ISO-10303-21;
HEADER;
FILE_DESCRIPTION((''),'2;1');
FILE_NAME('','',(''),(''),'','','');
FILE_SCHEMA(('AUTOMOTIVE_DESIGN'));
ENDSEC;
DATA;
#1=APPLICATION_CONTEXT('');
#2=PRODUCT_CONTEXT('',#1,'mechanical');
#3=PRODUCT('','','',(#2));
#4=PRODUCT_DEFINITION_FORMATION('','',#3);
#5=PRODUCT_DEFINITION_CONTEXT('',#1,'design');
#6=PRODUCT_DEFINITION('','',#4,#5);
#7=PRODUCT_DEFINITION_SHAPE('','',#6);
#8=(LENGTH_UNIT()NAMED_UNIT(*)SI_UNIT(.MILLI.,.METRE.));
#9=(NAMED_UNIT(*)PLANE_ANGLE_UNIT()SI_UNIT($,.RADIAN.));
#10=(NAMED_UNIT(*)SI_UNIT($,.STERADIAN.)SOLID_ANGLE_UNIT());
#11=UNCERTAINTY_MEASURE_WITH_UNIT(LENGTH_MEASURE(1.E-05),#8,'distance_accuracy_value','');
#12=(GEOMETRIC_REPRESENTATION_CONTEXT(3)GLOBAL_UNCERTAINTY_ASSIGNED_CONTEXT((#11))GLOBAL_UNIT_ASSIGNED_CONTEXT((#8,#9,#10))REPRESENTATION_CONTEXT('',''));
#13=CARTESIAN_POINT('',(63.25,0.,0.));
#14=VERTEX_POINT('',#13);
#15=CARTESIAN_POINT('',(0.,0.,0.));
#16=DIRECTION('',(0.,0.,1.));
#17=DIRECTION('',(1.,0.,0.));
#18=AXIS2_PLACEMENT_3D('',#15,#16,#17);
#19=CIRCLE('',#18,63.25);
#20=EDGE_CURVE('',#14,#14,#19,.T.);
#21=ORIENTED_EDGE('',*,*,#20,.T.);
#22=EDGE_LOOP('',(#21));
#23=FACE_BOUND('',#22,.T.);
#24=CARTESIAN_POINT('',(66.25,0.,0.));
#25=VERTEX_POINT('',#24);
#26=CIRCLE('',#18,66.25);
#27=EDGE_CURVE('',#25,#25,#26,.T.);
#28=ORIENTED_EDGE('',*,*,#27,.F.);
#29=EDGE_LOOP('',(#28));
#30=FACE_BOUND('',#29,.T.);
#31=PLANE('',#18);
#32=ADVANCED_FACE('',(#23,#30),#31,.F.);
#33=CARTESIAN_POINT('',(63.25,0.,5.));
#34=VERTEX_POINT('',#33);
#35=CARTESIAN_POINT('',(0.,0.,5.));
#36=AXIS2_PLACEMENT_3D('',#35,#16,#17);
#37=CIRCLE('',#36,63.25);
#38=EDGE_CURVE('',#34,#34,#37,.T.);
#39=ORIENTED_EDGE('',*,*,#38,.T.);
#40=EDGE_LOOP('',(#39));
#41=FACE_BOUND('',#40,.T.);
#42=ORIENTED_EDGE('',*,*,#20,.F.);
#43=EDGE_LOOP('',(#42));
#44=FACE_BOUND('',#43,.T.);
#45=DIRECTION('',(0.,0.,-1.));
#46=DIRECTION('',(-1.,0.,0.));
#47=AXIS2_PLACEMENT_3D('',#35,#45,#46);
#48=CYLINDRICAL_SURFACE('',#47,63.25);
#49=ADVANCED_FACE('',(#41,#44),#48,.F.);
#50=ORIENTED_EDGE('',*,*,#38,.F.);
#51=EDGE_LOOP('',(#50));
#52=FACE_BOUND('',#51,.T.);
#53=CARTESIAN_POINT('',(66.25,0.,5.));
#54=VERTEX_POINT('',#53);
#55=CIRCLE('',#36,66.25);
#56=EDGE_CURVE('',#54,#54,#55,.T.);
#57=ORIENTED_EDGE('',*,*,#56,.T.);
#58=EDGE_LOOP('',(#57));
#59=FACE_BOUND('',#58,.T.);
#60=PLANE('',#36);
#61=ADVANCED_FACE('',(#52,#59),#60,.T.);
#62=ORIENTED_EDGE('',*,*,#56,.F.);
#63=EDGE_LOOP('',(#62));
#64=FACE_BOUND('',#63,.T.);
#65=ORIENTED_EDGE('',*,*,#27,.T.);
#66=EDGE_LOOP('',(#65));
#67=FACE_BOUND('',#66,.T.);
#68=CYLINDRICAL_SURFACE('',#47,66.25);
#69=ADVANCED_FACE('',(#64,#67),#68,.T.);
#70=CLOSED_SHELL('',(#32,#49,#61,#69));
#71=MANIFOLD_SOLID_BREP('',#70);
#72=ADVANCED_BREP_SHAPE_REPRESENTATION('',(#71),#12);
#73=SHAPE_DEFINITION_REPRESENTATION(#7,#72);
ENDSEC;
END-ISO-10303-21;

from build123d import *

# Parameters (mm, degrees)
CROQUIS1_R              = 66.25
CROQUIS1_R_2            = 63.25
SALIENTE_EXTRUIR1_DEPTH = 5


with BuildPart() as part:
    # Croquis1 → Saliente-Extruir1 (new body)
    with BuildSketch(Plane.XY):
        Circle(CROQUIS1_R)
        Circle(CROQUIS1_R_2, mode=Mode.SUBTRACT)
    extrude(amount=SALIENTE_EXTRUIR1_DEPTH)


solid = part.part
